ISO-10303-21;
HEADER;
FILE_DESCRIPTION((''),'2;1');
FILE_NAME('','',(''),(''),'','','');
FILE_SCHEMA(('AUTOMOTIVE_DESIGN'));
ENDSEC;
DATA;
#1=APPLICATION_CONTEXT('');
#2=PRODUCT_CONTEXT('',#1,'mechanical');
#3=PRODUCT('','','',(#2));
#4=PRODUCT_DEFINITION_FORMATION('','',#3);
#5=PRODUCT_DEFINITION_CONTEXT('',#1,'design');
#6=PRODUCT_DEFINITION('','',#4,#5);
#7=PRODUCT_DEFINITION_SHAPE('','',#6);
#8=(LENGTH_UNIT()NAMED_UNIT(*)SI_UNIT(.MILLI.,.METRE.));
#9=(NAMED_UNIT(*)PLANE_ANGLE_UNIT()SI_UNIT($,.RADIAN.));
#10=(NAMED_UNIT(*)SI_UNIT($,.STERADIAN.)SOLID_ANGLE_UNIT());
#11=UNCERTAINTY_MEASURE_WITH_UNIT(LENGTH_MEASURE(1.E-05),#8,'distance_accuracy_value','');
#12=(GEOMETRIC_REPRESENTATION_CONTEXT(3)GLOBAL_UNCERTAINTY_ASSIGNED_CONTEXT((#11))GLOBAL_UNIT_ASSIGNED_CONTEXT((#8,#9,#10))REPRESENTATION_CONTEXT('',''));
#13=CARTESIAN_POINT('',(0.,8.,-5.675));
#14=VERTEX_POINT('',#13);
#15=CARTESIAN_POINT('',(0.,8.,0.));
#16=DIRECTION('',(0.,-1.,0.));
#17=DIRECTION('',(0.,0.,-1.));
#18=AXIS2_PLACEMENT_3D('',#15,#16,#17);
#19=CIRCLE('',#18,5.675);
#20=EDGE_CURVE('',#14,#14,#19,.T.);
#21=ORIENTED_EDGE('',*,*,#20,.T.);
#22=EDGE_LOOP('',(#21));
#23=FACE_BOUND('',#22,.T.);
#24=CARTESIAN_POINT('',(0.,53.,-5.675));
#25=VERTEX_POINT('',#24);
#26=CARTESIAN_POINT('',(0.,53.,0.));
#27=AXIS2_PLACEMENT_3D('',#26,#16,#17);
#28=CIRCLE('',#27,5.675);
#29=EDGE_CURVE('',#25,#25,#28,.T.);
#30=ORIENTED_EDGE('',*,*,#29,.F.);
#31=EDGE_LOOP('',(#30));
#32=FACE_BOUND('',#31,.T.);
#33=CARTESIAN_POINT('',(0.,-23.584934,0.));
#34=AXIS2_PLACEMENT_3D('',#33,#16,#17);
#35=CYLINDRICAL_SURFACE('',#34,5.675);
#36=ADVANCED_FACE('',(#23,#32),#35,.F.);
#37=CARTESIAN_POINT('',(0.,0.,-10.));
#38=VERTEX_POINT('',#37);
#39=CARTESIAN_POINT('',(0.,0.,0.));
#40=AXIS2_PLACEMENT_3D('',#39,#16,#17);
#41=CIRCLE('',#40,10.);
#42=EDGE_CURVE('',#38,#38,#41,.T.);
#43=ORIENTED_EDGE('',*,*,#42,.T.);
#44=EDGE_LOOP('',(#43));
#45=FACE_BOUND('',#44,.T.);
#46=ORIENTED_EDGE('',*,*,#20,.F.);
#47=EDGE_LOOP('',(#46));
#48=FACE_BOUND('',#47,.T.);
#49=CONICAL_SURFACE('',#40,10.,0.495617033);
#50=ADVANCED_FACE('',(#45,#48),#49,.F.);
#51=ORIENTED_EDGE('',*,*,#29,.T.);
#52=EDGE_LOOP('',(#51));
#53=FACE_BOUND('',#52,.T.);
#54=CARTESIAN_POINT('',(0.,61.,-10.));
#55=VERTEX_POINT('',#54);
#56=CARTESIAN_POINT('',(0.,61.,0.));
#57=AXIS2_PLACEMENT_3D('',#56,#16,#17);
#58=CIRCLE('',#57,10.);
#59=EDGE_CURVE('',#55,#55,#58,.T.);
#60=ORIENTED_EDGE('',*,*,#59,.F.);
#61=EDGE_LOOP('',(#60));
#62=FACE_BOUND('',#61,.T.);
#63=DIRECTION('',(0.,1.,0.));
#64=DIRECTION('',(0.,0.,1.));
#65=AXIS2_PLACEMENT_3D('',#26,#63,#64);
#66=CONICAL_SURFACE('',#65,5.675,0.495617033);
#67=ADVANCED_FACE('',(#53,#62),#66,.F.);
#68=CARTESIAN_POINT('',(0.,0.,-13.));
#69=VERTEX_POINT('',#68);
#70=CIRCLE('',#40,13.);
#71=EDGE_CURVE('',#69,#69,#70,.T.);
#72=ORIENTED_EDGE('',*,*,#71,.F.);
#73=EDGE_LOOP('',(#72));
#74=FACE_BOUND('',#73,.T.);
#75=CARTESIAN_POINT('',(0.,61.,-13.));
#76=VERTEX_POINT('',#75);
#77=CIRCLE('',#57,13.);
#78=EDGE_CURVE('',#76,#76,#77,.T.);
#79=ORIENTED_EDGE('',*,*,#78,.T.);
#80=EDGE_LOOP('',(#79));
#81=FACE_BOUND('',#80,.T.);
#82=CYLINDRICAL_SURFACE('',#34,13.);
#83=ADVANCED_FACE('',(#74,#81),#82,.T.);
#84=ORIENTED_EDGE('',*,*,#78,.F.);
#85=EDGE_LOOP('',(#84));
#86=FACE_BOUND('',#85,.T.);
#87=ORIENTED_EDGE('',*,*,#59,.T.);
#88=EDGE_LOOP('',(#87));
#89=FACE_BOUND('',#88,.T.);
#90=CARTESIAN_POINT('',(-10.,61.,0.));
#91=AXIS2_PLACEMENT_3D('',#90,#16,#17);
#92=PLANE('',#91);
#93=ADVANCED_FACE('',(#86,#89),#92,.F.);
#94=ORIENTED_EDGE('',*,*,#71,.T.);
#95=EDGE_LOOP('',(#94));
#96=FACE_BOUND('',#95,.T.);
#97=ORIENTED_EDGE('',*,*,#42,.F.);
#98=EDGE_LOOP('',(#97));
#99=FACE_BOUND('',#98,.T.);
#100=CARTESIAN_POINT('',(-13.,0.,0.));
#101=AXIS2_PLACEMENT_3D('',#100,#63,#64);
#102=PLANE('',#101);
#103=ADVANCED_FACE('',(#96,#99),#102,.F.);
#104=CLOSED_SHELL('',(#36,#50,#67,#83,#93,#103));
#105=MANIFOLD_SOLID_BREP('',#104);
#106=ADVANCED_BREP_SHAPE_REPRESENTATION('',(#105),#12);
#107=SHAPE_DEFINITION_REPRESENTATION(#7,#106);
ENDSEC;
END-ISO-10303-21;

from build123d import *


with BuildPart() as part:
    # Croquis2 → Revolución1 (revolve)
    with BuildSketch(Plane.XY, mode=Mode.PRIVATE) as revoluci_n1_sk:
        Polygon((-10, 0), (-5.675, 8), (-5.675, 53), (-10, 61), (-13, 61), (-13, 0), align=None)
    revolve(revoluci_n1_sk.sketch.rotate(Axis((0, -23.584933646, 0), (0, 1, 0)), 270), axis=Axis((0, -23.584933646, 0), (0, 1, 0)))


solid = part.part
